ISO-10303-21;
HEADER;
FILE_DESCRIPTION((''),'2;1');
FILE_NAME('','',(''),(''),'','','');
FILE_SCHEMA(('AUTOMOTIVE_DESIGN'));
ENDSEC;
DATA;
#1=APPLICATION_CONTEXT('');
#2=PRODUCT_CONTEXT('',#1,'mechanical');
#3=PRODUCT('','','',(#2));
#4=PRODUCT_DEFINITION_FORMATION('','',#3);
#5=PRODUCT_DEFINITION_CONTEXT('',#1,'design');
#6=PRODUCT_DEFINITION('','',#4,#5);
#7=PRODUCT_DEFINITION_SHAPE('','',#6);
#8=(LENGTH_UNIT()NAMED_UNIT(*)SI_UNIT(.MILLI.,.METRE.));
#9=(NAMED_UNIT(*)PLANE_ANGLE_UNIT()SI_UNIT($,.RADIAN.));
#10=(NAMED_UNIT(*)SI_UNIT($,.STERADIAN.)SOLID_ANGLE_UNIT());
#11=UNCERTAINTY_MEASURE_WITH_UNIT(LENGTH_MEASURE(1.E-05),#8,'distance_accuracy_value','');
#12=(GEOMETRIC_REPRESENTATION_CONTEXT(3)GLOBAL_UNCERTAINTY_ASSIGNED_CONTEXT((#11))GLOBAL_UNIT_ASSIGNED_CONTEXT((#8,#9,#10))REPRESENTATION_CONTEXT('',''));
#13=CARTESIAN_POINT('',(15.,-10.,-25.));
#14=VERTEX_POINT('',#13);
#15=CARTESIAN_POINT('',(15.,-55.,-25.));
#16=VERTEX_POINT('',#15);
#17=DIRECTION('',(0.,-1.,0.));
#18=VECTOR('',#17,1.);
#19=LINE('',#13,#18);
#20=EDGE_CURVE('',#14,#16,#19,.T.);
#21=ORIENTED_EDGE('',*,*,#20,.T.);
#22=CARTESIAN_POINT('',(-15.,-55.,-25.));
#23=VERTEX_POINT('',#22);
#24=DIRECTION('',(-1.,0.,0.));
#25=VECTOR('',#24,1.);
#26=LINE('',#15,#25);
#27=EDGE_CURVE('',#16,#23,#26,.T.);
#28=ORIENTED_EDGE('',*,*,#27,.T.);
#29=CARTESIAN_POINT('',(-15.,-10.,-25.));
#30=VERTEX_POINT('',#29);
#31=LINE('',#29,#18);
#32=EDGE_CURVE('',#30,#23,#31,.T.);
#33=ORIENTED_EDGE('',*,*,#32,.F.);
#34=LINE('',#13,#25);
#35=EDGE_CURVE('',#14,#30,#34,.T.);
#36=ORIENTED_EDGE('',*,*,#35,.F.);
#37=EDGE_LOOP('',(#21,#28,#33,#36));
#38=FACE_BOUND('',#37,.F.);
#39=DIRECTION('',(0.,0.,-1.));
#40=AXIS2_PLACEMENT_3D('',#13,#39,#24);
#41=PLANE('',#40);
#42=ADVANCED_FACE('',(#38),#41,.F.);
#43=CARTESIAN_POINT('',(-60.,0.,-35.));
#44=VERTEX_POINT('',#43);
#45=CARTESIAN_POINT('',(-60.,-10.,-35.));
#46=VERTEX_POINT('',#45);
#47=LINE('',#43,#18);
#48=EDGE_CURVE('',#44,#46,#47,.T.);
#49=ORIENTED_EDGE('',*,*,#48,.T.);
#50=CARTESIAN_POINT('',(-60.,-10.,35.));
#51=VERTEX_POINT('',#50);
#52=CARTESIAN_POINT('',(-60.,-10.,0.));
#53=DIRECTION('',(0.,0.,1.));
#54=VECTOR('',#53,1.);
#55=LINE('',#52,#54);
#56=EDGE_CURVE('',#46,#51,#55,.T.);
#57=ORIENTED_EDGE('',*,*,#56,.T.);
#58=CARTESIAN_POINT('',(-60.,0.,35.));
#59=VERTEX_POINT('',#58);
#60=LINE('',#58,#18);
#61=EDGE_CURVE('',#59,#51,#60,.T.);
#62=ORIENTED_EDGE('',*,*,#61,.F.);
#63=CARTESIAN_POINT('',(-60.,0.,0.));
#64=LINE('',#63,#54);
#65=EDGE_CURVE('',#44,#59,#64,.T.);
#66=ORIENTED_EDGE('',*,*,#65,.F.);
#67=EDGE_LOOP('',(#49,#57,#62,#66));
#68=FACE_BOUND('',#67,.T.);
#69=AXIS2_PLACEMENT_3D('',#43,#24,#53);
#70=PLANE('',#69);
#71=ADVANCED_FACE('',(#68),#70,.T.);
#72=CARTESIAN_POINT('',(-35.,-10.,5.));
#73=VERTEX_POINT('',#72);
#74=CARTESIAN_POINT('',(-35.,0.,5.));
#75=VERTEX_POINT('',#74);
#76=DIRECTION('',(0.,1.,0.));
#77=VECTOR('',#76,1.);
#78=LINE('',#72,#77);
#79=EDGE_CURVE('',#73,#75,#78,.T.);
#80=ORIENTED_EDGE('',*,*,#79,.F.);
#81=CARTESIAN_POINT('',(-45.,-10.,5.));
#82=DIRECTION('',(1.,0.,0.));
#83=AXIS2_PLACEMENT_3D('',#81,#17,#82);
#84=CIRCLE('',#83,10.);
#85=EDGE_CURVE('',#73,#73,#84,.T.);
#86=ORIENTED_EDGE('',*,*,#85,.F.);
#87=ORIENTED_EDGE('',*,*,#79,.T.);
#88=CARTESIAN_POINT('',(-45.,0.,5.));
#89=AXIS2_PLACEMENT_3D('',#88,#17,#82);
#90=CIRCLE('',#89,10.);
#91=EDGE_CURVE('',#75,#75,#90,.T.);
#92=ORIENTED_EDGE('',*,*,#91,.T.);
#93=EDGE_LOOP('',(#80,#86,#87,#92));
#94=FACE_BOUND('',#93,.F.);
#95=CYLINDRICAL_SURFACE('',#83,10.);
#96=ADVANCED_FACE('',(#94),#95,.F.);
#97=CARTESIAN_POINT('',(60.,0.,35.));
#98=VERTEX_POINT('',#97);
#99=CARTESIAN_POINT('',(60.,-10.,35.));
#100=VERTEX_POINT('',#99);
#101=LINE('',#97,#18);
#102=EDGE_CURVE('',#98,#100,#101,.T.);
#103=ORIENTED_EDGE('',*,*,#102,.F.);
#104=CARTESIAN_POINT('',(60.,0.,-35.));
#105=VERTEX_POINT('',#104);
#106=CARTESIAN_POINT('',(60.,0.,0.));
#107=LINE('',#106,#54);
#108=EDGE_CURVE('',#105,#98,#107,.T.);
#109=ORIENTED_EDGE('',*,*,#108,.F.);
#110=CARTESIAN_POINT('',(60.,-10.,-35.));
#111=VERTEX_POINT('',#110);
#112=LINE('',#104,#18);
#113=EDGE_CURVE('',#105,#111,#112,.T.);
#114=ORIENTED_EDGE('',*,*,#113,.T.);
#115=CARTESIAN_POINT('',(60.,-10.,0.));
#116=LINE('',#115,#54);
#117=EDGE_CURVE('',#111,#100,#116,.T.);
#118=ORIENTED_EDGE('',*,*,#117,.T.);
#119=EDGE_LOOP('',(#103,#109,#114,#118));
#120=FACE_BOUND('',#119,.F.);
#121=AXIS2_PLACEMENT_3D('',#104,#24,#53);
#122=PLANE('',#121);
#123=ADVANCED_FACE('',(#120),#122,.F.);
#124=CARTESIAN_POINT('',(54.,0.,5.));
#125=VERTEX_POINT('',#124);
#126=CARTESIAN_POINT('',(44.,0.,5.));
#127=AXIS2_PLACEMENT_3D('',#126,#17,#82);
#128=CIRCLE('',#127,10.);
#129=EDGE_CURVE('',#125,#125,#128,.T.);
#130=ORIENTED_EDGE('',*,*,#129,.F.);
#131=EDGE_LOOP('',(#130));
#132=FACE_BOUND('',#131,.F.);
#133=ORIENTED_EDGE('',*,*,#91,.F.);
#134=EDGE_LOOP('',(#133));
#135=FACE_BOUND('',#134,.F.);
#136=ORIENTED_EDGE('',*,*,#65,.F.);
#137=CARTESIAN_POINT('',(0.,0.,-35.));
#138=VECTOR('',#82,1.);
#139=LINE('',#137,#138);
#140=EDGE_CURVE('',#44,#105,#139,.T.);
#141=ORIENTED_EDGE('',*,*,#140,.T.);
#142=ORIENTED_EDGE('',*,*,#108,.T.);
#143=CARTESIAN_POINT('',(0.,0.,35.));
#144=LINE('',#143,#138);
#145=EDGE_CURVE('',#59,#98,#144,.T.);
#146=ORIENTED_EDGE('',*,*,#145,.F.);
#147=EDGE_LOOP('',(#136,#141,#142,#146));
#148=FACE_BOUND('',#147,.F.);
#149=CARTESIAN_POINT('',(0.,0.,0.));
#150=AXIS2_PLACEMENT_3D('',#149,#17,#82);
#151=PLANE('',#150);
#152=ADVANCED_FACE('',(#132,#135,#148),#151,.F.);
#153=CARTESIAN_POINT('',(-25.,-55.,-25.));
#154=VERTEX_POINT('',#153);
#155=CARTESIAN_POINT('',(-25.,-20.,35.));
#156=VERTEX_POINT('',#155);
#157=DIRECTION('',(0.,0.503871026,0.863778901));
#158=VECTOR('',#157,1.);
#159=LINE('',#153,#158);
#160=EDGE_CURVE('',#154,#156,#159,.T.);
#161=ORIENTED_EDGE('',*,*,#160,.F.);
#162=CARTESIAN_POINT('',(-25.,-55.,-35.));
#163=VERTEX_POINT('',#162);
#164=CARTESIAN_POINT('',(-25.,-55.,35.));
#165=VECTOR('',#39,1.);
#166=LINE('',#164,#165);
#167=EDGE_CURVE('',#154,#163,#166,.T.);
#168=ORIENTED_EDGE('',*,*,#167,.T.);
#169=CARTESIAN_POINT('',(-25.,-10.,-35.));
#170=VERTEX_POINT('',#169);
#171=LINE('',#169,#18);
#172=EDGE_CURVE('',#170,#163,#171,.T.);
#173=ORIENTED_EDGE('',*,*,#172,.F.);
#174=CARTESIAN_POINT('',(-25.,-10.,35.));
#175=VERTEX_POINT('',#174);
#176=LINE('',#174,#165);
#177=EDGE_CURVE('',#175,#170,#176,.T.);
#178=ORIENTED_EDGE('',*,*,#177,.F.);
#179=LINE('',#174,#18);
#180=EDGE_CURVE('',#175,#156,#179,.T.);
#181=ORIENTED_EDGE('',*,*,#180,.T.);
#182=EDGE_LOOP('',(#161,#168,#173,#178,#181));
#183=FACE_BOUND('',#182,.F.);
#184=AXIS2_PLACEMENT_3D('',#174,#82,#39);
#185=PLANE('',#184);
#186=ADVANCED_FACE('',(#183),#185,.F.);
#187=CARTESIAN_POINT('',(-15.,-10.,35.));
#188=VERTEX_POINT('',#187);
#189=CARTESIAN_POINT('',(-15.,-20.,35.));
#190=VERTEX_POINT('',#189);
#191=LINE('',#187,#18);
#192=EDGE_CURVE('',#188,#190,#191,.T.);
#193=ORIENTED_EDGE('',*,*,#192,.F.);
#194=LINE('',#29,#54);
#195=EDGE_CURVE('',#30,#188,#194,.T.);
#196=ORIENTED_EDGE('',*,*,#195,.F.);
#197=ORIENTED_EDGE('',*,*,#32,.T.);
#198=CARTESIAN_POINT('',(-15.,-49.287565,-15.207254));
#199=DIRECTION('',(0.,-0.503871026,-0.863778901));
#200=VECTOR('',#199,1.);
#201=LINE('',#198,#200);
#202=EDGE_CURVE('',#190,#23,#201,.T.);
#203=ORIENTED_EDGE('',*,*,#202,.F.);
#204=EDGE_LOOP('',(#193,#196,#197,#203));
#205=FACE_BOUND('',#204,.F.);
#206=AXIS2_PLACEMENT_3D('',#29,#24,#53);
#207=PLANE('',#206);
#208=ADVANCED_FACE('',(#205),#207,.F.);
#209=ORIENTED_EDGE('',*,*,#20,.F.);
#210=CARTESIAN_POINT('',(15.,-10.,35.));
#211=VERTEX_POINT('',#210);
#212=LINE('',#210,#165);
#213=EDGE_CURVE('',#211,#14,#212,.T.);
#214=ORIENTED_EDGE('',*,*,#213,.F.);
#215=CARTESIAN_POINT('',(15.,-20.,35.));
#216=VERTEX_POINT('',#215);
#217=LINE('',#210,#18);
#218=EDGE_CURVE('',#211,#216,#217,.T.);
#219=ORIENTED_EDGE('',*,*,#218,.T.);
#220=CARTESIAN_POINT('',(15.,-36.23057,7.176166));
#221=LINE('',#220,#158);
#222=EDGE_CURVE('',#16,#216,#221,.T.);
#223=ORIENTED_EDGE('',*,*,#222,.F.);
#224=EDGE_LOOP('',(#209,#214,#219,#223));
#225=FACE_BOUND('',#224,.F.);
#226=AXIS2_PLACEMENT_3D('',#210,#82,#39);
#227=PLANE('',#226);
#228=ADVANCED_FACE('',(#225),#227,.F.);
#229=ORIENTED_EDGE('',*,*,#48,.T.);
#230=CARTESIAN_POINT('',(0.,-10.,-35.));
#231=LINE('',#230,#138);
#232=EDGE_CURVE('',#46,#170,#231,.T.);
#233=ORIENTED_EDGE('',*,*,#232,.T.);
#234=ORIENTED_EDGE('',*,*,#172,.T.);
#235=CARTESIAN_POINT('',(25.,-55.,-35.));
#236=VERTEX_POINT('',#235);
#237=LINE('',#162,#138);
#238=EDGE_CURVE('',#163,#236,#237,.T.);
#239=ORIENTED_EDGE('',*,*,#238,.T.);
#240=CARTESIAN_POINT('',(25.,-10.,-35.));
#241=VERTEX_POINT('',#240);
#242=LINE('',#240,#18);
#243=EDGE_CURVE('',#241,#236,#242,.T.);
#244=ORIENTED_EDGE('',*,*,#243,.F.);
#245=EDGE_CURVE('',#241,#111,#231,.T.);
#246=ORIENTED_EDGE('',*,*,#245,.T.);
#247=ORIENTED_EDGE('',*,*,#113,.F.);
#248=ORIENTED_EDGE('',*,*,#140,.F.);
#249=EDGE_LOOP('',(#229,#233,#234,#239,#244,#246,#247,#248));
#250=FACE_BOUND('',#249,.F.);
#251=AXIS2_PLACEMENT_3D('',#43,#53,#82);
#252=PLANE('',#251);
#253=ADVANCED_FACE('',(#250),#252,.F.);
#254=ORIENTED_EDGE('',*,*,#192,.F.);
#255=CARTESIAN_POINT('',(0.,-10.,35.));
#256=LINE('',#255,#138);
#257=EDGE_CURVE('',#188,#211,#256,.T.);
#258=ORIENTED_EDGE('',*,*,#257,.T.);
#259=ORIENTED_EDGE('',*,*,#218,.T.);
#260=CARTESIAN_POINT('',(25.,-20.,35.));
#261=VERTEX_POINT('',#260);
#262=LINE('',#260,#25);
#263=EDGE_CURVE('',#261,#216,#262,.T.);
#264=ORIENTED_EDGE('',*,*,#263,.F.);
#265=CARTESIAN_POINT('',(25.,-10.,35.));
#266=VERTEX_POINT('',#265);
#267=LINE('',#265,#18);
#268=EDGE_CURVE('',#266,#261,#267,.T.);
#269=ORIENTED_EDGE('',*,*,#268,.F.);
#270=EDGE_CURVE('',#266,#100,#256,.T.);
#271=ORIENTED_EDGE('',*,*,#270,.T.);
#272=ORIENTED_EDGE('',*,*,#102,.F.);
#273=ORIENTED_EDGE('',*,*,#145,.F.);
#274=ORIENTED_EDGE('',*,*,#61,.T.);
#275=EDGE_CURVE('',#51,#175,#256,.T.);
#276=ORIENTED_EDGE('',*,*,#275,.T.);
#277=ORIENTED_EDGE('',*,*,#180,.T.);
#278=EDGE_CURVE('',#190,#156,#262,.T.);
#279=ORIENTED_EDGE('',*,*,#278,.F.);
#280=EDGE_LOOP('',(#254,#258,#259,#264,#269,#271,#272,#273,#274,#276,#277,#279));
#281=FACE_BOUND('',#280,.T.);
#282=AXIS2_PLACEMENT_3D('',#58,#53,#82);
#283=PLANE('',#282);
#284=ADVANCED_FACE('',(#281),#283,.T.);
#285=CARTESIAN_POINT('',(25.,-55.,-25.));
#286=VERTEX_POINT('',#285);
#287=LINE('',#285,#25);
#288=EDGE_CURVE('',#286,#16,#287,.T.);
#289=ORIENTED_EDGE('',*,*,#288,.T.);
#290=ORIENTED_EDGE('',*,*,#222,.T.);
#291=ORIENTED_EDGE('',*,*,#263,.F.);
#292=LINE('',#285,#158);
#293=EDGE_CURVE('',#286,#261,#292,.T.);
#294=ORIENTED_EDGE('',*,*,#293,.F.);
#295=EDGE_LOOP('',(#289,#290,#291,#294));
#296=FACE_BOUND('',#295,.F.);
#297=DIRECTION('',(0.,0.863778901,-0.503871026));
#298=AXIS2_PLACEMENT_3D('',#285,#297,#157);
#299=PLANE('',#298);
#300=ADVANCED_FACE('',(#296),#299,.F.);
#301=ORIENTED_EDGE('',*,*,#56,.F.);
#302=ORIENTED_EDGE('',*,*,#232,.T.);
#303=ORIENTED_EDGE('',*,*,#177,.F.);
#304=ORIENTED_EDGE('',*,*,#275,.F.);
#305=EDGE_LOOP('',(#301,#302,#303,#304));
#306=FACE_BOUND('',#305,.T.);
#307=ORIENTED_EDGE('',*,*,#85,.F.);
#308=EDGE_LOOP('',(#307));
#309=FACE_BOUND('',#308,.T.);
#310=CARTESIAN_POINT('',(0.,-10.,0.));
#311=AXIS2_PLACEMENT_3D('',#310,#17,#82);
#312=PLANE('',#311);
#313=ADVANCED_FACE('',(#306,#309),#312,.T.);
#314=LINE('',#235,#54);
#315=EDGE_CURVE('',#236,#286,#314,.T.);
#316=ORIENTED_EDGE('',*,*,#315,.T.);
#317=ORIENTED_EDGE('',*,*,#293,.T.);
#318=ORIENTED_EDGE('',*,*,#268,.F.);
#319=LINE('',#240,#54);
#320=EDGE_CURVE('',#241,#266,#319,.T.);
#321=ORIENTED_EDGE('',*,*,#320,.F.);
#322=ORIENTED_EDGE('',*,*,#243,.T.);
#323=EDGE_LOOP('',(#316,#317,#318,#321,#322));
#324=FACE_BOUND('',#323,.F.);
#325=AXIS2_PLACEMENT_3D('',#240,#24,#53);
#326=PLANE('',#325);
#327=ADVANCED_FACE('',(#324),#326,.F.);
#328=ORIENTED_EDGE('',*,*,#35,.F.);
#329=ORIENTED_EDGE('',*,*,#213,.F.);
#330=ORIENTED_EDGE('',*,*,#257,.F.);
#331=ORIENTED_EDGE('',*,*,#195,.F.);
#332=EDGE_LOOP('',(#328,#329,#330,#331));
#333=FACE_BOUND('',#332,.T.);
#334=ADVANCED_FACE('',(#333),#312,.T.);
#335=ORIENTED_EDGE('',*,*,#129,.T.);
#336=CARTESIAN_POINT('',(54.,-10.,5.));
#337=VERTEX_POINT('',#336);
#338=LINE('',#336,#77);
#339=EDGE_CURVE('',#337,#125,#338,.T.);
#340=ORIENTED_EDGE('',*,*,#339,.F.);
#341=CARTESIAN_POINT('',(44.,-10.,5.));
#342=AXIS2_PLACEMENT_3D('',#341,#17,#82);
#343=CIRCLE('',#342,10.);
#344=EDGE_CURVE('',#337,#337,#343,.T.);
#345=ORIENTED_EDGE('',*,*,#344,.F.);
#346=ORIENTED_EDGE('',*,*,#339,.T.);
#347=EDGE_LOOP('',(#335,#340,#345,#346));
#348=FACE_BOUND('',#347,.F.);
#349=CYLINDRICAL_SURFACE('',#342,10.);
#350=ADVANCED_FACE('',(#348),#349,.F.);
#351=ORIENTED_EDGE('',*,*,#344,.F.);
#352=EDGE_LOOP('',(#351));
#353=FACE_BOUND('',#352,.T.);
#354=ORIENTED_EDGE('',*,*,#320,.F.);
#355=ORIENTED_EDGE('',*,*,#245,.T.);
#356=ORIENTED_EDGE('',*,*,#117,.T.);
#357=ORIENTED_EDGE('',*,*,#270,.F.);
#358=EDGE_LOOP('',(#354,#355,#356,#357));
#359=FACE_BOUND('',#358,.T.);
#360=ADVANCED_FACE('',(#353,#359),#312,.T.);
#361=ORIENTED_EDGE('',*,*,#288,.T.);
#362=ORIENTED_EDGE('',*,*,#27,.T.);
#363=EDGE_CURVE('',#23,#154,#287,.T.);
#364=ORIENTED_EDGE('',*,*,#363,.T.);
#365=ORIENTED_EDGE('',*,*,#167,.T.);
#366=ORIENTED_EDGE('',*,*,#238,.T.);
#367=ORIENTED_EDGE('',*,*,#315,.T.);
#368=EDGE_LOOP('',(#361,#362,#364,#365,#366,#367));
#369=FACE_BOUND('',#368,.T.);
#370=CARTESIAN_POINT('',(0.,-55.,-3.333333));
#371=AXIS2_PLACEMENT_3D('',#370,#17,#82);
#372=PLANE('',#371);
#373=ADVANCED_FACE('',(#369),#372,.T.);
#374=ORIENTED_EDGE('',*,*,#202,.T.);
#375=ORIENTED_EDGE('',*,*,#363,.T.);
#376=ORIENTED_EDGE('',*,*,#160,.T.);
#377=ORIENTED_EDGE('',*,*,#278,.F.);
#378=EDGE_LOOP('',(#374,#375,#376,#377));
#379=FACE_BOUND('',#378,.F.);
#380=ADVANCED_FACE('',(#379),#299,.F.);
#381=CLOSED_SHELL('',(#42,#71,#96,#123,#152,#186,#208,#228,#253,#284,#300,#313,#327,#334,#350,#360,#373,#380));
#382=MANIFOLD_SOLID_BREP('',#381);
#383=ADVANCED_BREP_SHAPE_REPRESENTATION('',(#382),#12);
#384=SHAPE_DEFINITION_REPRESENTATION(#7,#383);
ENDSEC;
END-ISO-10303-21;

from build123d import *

# Parameters (mm, degrees)
F0_W     = 120
F0_H     = 70
F1_DEPTH = 10
F2_R     = 10
F3_DEPTH = 10.001
F4_DEPTH = 45
F6_DEPTH = 50


with BuildPart() as f1:
    # F0 (on Front) → F1 (new body)
    with BuildSketch(Plane.XZ):
        Rectangle(F0_W, F0_H)
    extrude(amount=F1_DEPTH)

    # F2 (on face) → F3 (cut, through all)
    with BuildSketch(Plane.XZ.offset(10)):
        with Locations((-45, 5)):
            Circle(F2_R)
        with Locations((44, 5)):
            Circle(F2_R)
    extrude(amount=-F3_DEPTH, mode=Mode.SUBTRACT)

    # F2 (on face) → F4 (join)
    with BuildSketch(Plane.XZ.offset(10)):
        Polygon((-15, 35), (-25, 35), (-25, -25), (-25, -35), (-15, -35), (15, -35), (25, -35), (25, -25), (25, 35), (15, 35), (15, -25), (-15, -25), align=None)
    extrude(amount=F4_DEPTH)

    # F5 (on face) → F6 (cut, through all)
    with BuildSketch(Plane.YZ.offset(25)):
        Polygon((-55, -25), (-20, 35), (-55, 35), align=None)
    extrude(amount=-F6_DEPTH, mode=Mode.SUBTRACT)


solid = f1.part
